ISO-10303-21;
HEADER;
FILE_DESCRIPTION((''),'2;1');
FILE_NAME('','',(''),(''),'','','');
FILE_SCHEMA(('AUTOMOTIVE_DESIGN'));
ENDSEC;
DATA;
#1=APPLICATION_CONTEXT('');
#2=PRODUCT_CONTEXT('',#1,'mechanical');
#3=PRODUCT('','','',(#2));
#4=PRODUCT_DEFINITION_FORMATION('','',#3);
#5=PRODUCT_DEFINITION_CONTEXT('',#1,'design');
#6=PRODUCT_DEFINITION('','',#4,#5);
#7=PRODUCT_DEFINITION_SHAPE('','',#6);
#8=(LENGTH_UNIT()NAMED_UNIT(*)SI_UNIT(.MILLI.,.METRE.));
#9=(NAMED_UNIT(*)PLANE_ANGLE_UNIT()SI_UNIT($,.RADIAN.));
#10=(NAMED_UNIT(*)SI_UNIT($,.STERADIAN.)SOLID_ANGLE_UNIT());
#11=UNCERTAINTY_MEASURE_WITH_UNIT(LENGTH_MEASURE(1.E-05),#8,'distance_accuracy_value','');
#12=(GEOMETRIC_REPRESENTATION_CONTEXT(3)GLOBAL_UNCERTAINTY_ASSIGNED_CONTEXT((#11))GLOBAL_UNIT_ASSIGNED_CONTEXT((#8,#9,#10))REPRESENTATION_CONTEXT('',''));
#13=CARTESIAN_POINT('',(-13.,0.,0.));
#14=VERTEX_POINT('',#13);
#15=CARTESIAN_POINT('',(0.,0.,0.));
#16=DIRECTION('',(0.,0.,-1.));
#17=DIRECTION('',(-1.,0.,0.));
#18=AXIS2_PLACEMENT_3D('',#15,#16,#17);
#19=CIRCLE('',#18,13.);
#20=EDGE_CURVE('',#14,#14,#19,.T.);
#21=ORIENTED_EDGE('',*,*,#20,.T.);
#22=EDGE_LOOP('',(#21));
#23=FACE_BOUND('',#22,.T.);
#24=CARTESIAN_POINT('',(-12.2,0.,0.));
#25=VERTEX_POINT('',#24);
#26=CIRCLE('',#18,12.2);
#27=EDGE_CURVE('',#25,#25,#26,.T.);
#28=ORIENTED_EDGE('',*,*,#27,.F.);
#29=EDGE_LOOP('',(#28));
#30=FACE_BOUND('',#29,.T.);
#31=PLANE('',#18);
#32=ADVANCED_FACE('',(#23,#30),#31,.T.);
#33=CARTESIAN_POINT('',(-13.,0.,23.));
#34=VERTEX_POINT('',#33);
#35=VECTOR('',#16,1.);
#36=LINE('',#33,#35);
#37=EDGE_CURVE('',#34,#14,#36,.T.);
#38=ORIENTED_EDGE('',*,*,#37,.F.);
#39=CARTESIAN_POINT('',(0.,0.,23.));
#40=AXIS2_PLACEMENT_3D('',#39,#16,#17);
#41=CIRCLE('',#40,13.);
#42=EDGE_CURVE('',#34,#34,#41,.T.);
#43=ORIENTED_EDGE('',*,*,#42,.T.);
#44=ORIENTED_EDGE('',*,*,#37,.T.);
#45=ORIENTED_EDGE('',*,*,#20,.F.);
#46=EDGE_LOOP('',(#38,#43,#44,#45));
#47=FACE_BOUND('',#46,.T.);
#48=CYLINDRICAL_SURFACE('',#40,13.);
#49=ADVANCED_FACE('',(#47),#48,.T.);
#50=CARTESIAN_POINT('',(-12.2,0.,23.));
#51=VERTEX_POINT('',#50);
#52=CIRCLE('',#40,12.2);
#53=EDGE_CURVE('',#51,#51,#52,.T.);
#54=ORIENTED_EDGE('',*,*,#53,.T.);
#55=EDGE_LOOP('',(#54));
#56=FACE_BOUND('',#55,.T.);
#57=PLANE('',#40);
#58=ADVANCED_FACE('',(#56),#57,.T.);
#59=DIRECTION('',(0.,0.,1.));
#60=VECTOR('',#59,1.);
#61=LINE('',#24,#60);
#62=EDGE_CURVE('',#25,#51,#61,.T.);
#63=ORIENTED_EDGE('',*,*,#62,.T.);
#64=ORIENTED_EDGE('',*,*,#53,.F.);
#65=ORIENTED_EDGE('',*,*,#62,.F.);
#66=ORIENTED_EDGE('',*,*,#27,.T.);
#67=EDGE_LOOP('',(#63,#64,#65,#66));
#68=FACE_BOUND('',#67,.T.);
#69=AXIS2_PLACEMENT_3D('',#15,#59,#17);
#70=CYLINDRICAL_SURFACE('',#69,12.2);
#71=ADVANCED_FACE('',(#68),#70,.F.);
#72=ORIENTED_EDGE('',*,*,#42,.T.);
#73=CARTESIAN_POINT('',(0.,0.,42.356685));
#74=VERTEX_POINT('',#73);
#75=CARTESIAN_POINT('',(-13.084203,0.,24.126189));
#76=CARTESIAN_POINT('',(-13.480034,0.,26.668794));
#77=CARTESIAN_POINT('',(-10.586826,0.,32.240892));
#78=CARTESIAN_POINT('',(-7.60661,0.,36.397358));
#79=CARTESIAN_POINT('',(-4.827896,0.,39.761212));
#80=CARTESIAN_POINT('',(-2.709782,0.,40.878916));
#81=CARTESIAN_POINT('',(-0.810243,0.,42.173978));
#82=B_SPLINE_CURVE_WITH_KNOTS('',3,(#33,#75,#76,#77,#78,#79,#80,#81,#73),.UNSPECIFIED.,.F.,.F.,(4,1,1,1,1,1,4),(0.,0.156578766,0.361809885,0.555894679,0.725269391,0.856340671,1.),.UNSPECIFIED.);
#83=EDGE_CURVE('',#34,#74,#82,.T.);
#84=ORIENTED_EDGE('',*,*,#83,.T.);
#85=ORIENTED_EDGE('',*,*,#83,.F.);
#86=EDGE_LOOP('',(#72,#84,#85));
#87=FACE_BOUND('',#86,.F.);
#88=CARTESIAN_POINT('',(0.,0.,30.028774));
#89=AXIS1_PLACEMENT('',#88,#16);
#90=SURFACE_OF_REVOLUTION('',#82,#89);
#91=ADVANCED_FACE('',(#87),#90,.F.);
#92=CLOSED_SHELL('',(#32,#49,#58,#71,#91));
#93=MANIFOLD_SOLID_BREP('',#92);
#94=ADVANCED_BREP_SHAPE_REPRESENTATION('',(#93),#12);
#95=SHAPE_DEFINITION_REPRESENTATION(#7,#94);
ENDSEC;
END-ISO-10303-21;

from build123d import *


with BuildPart() as f1:
    # F0 (on Front) → F1 (revolve)
    with BuildSketch(Plane.XZ):
        with BuildLine():
            Line((-13, 0), (-12.2, 0))
            Line((-12.2, 0), (-12.2, 23))
            Line((-12.2, 23), (0, 23))
            Line((0, 23), (0, 42.356684804))
            add(Edge.make_bspline(
                [(-13, 23), (-13.0842029815, 24.1261889409), (-13.480033767, 26.6687942136), (-10.5868260387, 32.240891695), (-7.6066101935, 36.3973581636), (-4.8278962173, 39.7612115657), (-2.7097824253, 40.878915547), (-0.8102426344, 42.1739784564), (0, 42.356684804)],
                knots=[0, 0, 0, 0, 0.1565787658, 0.361809885, 0.5558946789, 0.7252693913, 0.8563406711, 1, 1, 1, 1], degree=3))
            Line((-13, 23), (-13, 0))
        make_face()
    revolve(axis=Axis((0, 0, 30.0287739374), (0, 0, -1)))


solid = f1.part
